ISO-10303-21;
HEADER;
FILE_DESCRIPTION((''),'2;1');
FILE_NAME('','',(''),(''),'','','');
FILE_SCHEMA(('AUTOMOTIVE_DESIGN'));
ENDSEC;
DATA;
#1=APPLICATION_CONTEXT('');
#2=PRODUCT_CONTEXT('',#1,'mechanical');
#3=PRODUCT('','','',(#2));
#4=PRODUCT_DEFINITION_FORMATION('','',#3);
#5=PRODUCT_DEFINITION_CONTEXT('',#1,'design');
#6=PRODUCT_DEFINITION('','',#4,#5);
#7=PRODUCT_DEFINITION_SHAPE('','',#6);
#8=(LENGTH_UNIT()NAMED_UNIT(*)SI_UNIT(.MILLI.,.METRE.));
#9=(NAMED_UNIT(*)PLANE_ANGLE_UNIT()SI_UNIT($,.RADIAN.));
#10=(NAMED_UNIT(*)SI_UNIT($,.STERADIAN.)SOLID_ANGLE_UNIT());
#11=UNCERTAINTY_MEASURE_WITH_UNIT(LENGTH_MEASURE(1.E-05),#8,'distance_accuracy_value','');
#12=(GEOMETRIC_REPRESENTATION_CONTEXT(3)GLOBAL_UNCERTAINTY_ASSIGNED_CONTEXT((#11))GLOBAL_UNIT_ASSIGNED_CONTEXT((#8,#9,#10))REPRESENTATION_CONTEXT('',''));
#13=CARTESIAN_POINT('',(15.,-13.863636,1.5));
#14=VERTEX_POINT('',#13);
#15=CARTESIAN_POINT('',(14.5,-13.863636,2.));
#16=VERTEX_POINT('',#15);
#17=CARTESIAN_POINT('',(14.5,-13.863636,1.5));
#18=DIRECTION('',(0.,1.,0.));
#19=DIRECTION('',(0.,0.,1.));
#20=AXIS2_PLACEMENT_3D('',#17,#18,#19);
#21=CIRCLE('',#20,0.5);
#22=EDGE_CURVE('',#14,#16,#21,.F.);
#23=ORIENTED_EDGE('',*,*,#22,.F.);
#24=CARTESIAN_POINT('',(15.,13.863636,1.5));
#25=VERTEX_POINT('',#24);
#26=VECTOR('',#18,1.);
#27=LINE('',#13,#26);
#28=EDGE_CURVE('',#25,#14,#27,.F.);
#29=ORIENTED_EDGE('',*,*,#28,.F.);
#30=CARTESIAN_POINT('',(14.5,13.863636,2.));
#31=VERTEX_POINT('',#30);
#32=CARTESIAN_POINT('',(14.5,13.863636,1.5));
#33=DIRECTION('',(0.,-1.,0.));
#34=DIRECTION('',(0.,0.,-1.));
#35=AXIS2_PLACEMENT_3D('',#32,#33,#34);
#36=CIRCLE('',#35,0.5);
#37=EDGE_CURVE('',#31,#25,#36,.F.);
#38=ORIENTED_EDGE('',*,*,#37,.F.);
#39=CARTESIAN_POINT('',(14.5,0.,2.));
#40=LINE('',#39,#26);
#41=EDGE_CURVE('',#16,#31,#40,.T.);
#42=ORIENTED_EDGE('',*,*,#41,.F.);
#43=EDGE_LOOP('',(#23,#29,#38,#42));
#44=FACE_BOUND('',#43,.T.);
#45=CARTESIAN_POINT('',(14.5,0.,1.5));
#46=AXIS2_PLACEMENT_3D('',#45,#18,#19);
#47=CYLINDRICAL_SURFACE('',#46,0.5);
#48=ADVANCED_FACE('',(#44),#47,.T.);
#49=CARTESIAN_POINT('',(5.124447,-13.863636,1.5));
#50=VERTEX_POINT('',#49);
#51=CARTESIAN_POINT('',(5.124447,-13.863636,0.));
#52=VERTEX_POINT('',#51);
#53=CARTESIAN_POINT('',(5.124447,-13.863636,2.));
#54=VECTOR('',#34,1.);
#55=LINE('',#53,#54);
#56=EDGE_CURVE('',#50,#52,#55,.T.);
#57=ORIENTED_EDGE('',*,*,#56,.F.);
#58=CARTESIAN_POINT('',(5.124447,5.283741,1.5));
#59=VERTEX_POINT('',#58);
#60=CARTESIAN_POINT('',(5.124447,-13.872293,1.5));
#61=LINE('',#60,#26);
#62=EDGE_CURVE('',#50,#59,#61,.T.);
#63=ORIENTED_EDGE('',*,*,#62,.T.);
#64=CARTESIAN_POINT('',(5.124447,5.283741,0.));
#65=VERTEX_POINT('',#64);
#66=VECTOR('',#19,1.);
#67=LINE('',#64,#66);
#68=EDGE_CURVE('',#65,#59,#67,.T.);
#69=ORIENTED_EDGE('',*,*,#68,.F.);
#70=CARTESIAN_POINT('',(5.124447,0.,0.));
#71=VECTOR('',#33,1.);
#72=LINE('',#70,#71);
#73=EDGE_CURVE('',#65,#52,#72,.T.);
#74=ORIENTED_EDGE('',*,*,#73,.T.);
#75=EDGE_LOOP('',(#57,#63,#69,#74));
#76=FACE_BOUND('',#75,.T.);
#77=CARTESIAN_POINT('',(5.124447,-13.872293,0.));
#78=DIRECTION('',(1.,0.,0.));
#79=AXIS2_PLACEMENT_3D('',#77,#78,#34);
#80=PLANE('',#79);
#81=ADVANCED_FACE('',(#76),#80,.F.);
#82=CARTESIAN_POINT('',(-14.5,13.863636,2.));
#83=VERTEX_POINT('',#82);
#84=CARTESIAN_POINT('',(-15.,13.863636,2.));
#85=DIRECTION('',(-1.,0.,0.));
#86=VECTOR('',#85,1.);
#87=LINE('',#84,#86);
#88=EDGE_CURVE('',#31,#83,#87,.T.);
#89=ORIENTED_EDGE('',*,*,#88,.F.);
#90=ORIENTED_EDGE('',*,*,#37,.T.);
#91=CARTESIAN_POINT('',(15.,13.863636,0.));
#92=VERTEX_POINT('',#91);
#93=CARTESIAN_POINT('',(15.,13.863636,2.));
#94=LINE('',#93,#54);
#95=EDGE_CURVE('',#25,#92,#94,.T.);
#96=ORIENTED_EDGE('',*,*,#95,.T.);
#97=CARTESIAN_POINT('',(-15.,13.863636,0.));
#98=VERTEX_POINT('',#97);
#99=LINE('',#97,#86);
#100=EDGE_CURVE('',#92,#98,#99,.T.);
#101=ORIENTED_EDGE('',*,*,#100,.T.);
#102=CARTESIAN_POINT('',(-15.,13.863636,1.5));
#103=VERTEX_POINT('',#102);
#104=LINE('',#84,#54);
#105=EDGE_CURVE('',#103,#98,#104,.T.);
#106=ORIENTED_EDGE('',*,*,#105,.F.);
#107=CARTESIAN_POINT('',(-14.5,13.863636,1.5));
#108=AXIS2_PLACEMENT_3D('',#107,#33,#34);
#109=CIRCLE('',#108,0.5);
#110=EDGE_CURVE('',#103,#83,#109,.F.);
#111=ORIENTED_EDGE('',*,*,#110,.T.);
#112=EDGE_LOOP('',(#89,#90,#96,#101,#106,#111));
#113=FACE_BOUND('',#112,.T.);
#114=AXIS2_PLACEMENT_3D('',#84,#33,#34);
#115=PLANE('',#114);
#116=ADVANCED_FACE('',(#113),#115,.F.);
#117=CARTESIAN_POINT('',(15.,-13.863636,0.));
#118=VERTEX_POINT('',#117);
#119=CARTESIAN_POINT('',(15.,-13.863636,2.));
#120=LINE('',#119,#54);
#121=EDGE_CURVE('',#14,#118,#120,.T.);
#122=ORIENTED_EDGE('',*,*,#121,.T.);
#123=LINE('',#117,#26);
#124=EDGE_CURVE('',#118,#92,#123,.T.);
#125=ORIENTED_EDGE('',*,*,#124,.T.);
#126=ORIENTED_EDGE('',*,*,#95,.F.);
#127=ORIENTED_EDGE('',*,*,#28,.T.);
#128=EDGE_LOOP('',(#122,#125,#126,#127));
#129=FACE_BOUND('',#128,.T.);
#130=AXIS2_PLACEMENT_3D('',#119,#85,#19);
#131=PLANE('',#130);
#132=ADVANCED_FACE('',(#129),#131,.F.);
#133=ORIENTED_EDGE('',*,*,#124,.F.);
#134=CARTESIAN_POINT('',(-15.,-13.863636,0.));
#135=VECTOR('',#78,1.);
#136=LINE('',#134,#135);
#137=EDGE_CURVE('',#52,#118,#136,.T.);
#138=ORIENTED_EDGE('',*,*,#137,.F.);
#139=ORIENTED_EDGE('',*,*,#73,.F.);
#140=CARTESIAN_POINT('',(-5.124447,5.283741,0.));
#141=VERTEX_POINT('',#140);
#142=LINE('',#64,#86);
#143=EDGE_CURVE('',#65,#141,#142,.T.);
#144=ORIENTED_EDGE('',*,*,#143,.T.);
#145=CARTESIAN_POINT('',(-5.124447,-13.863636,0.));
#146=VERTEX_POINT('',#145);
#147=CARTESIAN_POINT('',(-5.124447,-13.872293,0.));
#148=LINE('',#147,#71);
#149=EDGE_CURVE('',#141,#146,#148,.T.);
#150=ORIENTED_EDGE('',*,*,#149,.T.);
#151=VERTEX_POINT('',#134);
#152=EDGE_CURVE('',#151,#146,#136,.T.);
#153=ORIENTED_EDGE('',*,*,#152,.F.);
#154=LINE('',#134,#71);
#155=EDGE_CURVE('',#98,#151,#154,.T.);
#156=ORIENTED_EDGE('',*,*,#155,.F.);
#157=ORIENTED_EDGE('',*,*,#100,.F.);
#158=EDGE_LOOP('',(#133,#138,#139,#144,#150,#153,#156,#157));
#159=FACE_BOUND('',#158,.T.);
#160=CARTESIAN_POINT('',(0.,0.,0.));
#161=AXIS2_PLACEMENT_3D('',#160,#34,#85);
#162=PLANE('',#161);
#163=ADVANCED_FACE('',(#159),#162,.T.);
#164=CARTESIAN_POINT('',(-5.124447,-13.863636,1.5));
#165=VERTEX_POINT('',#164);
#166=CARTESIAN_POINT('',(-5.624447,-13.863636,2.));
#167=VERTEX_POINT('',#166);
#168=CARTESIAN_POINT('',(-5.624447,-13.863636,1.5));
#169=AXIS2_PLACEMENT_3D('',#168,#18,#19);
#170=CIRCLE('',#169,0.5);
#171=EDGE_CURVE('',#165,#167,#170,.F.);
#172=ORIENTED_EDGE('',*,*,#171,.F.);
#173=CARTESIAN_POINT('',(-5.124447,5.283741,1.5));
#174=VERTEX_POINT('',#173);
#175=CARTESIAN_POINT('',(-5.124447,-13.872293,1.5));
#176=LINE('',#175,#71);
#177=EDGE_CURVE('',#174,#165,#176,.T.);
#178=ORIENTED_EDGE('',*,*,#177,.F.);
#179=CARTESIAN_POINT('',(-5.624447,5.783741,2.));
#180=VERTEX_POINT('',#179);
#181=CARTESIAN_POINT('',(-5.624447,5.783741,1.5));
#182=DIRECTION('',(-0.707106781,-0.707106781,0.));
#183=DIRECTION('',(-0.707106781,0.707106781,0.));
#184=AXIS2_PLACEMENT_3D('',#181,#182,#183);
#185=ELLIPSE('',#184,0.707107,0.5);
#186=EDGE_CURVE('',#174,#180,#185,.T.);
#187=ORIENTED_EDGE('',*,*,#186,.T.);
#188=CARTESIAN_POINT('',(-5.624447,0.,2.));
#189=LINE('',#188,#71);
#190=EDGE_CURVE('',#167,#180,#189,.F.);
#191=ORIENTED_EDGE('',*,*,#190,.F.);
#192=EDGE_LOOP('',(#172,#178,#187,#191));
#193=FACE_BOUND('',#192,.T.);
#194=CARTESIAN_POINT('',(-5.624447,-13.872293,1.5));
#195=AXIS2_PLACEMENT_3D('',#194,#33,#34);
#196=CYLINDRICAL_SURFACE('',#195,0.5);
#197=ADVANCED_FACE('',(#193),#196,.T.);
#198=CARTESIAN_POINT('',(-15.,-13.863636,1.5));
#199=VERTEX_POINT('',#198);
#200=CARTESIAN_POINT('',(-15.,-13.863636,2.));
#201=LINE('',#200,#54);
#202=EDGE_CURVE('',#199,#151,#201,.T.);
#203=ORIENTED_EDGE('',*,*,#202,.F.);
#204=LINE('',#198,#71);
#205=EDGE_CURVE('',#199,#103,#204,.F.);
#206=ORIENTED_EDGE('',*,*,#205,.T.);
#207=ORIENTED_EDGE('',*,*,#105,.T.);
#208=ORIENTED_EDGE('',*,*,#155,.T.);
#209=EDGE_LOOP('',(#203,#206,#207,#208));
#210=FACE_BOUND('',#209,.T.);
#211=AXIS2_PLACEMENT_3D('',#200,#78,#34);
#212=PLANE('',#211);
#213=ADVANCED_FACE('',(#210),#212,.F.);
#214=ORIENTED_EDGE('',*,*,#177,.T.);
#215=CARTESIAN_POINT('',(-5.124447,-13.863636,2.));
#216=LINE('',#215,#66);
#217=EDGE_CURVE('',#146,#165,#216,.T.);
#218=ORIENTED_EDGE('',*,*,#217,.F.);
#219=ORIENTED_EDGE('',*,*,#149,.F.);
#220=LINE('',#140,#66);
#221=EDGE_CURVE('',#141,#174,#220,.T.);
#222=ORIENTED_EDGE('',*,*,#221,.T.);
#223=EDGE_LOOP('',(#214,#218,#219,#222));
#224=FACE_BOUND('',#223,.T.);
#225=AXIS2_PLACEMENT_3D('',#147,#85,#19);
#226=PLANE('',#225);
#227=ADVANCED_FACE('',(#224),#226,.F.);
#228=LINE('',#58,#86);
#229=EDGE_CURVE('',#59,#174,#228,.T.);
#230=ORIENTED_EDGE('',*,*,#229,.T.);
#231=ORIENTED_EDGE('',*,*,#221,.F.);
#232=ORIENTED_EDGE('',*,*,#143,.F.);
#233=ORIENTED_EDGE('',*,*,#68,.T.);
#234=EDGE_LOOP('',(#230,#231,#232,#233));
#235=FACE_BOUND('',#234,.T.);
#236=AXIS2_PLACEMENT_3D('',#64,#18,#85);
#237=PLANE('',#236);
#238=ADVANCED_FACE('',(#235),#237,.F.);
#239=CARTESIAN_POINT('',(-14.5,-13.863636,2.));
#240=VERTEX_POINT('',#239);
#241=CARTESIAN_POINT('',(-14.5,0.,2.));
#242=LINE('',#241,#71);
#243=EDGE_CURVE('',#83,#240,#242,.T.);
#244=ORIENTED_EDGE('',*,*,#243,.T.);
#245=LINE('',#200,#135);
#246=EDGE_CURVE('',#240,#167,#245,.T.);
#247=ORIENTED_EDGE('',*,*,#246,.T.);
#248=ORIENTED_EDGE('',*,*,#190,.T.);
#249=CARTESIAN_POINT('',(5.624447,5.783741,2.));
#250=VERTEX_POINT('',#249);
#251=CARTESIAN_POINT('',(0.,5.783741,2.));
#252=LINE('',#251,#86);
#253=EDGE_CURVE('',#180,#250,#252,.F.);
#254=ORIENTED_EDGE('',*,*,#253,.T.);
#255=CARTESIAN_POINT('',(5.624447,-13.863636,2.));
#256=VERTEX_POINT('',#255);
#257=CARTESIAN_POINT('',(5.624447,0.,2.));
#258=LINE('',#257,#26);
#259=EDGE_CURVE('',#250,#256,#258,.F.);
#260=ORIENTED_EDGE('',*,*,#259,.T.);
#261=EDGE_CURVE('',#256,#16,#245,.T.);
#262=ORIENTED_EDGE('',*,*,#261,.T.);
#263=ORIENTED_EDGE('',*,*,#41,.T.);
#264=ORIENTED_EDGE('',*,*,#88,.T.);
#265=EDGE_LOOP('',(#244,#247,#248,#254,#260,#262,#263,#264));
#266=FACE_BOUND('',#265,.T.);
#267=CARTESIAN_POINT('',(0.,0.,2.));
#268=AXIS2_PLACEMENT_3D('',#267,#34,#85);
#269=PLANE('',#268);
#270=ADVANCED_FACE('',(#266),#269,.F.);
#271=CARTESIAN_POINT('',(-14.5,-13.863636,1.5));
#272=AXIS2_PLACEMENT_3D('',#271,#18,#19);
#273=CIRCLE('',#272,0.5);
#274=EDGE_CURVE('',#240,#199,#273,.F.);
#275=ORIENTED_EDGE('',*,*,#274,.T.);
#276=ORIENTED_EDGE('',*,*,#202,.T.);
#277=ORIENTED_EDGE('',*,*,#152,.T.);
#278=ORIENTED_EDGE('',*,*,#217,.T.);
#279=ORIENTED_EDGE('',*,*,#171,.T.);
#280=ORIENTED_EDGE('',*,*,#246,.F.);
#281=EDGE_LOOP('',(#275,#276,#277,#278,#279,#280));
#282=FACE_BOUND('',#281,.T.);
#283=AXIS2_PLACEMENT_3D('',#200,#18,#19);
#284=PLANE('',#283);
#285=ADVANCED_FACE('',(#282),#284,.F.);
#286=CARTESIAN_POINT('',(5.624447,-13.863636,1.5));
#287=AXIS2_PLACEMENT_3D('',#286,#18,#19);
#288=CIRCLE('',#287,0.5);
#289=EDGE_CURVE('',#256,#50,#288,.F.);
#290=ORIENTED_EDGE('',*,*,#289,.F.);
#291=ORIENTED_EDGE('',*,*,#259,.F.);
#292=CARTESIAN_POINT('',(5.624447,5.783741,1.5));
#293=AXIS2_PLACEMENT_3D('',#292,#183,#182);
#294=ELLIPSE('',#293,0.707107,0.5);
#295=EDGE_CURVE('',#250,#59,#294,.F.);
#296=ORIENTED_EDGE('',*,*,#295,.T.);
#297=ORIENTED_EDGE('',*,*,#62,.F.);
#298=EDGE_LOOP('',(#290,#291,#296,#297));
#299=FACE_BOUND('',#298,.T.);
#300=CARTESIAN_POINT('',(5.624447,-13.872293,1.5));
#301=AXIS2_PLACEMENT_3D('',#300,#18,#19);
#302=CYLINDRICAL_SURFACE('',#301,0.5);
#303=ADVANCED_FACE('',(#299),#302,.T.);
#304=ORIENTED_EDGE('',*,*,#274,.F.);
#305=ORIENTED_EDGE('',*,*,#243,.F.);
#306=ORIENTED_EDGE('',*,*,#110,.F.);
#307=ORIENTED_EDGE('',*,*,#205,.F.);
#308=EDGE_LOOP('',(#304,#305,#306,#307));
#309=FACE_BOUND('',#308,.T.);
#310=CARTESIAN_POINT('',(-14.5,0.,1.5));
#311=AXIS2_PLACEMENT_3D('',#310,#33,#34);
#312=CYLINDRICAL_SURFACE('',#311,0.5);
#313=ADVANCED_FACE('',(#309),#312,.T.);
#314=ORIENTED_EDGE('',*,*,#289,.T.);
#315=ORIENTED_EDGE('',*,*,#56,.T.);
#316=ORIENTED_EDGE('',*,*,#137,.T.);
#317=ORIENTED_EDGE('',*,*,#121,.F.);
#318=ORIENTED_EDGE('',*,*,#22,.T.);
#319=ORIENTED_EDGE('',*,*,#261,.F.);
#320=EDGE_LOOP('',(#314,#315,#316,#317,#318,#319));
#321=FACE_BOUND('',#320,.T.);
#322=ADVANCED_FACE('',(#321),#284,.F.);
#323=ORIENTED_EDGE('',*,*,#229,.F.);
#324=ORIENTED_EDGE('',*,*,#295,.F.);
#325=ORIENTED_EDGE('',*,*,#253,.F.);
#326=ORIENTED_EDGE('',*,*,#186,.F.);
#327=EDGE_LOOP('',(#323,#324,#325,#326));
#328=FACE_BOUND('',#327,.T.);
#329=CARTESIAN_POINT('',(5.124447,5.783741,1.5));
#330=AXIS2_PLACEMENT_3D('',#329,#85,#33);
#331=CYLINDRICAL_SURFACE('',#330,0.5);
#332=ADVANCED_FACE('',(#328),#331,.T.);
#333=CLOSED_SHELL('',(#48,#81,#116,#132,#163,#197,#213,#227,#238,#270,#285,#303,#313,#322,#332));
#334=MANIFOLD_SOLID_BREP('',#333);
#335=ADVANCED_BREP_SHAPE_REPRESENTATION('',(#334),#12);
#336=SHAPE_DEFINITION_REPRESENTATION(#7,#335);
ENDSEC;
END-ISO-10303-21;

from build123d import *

# Parameters (mm, degrees)
SKETCH1_W           = 30
SKETCH1_H           = 27.727272728
BOSS_EXTRUDE1_DEPTH = 2
SKETCH2_W           = 10.248894408
SKETCH2_H           = 19.156033471
CUT_EXTRUDE1_DEPTH  = 2
FILLET1_R           = 0.5
FILLET2_R           = 0.5
FILLET3_R           = 0.5
FILLET4_R           = 0.5
FILLET5_R           = 0.5


with BuildPart() as part:
    # Sketch1 → Boss-Extrude1 (new body)
    with BuildSketch(Plane.XY):
        Rectangle(SKETCH1_W, SKETCH1_H)
    extrude(amount=BOSS_EXTRUDE1_DEPTH)

    # Sketch2 → Cut-Extrude1 (cut)
    with BuildSketch(Plane.XY.offset(2)):
        with Locations((0, -4.294276099)):
            Rectangle(SKETCH2_W, SKETCH2_H)
    extrude(amount=-CUT_EXTRUDE1_DEPTH, mode=Mode.SUBTRACT)

    # Fillet1
    fillet1_edges = [part.edges().sort_by_distance(p)[0] for p in [
        (-15, 0, 2),
    ]]
    fillet(fillet1_edges, radius=FILLET1_R)

    # Fillet2
    fillet2_edges = [part.edges().sort_by_distance(p)[0] for p in [
        (15, 0, 2),
    ]]
    fillet(fillet2_edges, radius=FILLET2_R)

    # Fillet3
    fillet3_edges = [part.edges().sort_by_distance(p)[0] for p in [
        (-5.124447204, -4.289947863, 2),
    ]]
    fillet(fillet3_edges, radius=FILLET3_R)

    # Fillet4
    fillet4_edges = [part.edges().sort_by_distance(p)[0] for p in [
        (5.124447204, -4.289947863, 2),
    ]]
    fillet(fillet4_edges, radius=FILLET4_R)

    # Fillet5
    fillet5_edges = [part.edges().sort_by_distance(p)[0] for p in [
        (0, 5.283740637, 2),
    ]]
    fillet(fillet5_edges, radius=FILLET5_R)


solid = part.part
